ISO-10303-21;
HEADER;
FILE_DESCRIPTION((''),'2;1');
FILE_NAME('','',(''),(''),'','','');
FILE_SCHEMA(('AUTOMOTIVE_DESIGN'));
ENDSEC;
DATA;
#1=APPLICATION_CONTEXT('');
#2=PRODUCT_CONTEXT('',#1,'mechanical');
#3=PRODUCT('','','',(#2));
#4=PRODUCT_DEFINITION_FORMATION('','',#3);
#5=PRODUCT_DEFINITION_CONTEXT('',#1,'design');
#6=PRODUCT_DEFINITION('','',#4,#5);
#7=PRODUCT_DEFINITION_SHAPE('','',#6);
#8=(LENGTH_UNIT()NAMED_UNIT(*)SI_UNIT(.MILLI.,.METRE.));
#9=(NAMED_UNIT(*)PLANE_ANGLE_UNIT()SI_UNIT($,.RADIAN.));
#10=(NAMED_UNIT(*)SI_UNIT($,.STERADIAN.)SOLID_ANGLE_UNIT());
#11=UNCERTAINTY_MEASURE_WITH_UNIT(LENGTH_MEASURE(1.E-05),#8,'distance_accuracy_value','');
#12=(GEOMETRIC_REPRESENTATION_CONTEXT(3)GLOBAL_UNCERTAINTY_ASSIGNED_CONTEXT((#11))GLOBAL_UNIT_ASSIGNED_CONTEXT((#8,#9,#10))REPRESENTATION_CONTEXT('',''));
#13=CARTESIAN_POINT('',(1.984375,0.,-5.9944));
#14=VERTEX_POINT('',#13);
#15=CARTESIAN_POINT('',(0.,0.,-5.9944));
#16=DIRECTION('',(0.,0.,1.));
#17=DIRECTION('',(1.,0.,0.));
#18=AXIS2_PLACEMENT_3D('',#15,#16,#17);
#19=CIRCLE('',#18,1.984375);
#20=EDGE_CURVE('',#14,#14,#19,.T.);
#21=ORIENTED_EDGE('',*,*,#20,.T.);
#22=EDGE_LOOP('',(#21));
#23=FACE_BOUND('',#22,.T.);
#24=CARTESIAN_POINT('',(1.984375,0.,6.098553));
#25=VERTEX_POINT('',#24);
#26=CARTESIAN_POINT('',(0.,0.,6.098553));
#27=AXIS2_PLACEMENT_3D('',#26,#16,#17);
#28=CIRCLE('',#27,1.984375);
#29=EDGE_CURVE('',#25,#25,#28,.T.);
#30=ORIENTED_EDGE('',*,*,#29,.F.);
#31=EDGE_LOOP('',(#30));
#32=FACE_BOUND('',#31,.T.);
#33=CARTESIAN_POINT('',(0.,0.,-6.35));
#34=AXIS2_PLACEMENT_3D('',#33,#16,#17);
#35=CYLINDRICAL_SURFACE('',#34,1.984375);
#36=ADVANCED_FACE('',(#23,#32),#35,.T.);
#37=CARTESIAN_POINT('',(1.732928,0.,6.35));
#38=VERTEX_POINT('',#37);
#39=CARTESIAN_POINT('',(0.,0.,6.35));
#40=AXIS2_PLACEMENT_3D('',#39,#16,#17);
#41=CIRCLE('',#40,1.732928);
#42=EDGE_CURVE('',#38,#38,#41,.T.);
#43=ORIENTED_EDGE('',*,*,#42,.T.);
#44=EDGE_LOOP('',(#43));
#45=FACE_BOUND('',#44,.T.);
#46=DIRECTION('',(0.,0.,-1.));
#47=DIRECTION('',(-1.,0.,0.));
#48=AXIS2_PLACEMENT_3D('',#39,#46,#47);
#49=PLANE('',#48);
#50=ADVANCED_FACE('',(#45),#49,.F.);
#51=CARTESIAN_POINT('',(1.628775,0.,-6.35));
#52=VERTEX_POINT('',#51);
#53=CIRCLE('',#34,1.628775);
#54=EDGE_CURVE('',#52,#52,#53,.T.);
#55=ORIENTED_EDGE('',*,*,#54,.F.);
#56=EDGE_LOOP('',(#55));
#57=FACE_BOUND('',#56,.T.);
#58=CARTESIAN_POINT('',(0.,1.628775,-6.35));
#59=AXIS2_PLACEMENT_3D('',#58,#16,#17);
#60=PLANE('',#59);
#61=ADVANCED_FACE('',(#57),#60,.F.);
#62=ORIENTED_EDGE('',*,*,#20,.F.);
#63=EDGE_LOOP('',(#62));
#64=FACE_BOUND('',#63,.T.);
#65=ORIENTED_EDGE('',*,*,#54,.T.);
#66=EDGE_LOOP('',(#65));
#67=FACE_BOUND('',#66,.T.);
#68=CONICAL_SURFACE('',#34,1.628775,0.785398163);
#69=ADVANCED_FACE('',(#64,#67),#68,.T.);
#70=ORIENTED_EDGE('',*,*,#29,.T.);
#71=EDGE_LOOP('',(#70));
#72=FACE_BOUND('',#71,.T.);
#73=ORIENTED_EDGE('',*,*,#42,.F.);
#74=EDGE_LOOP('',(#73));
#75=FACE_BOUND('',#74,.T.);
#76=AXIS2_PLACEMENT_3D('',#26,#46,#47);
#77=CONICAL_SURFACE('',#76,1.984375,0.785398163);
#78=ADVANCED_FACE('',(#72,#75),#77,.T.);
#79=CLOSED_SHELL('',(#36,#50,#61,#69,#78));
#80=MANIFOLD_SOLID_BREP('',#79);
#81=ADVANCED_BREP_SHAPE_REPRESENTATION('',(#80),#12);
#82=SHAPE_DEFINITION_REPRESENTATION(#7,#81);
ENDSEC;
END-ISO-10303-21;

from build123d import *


with BuildPart() as part:
    # Sketch1 → Revolve1 (revolve)
    with BuildSketch(Plane(origin=(0, 0, 0), x_dir=(0, 0, -1), z_dir=(1, 0, 0))):
        Polygon((-6.35, 0), (-6.35, 1.732927829), (-6.098552829, 1.984375), (5.9944, 1.984375), (6.35, 1.628775), (6.35, 0), align=None)
    revolve(axis=Axis((0, 0, -6.35), (0, 0, 1)))


solid = part.part
